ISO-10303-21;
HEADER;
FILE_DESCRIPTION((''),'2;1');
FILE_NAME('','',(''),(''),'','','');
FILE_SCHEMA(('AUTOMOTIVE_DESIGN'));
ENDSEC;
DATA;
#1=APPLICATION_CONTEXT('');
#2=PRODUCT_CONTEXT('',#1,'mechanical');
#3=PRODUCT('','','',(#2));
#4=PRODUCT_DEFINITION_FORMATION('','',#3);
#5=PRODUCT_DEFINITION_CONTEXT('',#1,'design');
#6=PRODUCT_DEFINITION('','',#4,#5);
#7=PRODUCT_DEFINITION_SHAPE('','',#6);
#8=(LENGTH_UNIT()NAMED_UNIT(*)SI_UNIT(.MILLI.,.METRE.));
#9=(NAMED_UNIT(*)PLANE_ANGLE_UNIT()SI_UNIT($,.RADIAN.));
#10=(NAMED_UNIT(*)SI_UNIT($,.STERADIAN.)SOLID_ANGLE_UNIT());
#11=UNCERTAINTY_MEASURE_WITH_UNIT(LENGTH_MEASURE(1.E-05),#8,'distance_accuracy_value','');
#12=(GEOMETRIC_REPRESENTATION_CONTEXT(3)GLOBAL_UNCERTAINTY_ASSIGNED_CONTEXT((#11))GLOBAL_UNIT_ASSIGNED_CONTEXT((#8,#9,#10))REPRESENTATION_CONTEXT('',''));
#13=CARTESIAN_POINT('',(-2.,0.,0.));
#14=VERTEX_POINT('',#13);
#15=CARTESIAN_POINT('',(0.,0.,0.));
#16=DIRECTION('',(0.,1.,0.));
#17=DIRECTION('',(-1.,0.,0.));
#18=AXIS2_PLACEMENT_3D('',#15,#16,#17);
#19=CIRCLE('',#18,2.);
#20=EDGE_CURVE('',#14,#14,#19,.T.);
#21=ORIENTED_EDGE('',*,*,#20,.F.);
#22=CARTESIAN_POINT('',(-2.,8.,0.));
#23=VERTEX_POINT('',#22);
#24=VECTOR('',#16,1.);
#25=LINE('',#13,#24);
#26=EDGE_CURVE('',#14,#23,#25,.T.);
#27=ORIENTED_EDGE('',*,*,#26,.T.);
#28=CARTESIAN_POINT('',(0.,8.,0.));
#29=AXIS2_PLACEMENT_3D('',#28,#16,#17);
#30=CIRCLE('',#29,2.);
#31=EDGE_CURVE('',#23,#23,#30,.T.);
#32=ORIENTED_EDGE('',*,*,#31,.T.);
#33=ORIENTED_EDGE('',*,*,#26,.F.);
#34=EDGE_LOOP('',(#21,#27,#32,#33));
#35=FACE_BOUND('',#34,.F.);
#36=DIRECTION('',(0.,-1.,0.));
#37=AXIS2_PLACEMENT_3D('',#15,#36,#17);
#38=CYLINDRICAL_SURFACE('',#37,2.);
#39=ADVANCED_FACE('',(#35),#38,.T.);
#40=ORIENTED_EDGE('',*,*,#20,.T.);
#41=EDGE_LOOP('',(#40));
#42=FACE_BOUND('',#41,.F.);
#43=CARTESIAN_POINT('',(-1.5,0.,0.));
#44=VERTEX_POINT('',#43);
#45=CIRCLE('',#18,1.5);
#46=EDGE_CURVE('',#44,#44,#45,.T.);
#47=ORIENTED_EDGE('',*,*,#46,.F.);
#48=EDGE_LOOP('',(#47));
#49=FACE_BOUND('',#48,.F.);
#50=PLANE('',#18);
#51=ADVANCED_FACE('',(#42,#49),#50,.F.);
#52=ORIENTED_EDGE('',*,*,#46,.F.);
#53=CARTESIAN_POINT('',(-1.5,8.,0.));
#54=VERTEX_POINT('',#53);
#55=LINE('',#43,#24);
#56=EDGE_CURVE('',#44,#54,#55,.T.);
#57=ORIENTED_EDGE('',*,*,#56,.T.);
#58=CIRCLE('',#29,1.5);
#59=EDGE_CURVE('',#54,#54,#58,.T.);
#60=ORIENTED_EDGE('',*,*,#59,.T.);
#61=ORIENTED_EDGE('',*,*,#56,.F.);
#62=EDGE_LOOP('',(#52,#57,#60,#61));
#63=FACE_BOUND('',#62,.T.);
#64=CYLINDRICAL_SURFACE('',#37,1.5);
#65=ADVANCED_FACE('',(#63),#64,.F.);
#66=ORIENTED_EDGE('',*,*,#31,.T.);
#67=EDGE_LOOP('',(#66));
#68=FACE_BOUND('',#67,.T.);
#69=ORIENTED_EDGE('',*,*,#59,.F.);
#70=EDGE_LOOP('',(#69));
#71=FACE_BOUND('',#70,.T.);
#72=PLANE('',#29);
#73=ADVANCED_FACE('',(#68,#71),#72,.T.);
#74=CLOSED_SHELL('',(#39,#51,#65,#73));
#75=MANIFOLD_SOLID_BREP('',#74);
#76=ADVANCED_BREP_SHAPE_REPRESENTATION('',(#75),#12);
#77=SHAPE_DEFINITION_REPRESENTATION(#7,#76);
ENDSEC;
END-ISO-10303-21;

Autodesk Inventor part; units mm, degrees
ref_plane "YZ Plane" through (0, 0, 0) normal (1, 0, 0) x (0, 1, 0)
ref_plane "XZ Plane" through (0, 0, 0) normal (0, 1, 0) x (-1, 0, 0)
ref_plane "XY Plane" through (0, 0, 0) normal (0, 0, 1) x (1, 0, 0)
sketch "スケッチ1" plane through (0, 0, 0) normal (0, 1, 0) x (-1, 0, 0)
  circle A0 centre (0, 0) radius 1.5
  circle A1 centre (0, 0) radius 2
  dimension "d0" = 3
  dimension "d1" = 4
extrude "押し出し1" add sketch "スケッチ1" along normal blind 8
properties part number "trackball-spacer" material "真鍮、ソフト イエロー"
